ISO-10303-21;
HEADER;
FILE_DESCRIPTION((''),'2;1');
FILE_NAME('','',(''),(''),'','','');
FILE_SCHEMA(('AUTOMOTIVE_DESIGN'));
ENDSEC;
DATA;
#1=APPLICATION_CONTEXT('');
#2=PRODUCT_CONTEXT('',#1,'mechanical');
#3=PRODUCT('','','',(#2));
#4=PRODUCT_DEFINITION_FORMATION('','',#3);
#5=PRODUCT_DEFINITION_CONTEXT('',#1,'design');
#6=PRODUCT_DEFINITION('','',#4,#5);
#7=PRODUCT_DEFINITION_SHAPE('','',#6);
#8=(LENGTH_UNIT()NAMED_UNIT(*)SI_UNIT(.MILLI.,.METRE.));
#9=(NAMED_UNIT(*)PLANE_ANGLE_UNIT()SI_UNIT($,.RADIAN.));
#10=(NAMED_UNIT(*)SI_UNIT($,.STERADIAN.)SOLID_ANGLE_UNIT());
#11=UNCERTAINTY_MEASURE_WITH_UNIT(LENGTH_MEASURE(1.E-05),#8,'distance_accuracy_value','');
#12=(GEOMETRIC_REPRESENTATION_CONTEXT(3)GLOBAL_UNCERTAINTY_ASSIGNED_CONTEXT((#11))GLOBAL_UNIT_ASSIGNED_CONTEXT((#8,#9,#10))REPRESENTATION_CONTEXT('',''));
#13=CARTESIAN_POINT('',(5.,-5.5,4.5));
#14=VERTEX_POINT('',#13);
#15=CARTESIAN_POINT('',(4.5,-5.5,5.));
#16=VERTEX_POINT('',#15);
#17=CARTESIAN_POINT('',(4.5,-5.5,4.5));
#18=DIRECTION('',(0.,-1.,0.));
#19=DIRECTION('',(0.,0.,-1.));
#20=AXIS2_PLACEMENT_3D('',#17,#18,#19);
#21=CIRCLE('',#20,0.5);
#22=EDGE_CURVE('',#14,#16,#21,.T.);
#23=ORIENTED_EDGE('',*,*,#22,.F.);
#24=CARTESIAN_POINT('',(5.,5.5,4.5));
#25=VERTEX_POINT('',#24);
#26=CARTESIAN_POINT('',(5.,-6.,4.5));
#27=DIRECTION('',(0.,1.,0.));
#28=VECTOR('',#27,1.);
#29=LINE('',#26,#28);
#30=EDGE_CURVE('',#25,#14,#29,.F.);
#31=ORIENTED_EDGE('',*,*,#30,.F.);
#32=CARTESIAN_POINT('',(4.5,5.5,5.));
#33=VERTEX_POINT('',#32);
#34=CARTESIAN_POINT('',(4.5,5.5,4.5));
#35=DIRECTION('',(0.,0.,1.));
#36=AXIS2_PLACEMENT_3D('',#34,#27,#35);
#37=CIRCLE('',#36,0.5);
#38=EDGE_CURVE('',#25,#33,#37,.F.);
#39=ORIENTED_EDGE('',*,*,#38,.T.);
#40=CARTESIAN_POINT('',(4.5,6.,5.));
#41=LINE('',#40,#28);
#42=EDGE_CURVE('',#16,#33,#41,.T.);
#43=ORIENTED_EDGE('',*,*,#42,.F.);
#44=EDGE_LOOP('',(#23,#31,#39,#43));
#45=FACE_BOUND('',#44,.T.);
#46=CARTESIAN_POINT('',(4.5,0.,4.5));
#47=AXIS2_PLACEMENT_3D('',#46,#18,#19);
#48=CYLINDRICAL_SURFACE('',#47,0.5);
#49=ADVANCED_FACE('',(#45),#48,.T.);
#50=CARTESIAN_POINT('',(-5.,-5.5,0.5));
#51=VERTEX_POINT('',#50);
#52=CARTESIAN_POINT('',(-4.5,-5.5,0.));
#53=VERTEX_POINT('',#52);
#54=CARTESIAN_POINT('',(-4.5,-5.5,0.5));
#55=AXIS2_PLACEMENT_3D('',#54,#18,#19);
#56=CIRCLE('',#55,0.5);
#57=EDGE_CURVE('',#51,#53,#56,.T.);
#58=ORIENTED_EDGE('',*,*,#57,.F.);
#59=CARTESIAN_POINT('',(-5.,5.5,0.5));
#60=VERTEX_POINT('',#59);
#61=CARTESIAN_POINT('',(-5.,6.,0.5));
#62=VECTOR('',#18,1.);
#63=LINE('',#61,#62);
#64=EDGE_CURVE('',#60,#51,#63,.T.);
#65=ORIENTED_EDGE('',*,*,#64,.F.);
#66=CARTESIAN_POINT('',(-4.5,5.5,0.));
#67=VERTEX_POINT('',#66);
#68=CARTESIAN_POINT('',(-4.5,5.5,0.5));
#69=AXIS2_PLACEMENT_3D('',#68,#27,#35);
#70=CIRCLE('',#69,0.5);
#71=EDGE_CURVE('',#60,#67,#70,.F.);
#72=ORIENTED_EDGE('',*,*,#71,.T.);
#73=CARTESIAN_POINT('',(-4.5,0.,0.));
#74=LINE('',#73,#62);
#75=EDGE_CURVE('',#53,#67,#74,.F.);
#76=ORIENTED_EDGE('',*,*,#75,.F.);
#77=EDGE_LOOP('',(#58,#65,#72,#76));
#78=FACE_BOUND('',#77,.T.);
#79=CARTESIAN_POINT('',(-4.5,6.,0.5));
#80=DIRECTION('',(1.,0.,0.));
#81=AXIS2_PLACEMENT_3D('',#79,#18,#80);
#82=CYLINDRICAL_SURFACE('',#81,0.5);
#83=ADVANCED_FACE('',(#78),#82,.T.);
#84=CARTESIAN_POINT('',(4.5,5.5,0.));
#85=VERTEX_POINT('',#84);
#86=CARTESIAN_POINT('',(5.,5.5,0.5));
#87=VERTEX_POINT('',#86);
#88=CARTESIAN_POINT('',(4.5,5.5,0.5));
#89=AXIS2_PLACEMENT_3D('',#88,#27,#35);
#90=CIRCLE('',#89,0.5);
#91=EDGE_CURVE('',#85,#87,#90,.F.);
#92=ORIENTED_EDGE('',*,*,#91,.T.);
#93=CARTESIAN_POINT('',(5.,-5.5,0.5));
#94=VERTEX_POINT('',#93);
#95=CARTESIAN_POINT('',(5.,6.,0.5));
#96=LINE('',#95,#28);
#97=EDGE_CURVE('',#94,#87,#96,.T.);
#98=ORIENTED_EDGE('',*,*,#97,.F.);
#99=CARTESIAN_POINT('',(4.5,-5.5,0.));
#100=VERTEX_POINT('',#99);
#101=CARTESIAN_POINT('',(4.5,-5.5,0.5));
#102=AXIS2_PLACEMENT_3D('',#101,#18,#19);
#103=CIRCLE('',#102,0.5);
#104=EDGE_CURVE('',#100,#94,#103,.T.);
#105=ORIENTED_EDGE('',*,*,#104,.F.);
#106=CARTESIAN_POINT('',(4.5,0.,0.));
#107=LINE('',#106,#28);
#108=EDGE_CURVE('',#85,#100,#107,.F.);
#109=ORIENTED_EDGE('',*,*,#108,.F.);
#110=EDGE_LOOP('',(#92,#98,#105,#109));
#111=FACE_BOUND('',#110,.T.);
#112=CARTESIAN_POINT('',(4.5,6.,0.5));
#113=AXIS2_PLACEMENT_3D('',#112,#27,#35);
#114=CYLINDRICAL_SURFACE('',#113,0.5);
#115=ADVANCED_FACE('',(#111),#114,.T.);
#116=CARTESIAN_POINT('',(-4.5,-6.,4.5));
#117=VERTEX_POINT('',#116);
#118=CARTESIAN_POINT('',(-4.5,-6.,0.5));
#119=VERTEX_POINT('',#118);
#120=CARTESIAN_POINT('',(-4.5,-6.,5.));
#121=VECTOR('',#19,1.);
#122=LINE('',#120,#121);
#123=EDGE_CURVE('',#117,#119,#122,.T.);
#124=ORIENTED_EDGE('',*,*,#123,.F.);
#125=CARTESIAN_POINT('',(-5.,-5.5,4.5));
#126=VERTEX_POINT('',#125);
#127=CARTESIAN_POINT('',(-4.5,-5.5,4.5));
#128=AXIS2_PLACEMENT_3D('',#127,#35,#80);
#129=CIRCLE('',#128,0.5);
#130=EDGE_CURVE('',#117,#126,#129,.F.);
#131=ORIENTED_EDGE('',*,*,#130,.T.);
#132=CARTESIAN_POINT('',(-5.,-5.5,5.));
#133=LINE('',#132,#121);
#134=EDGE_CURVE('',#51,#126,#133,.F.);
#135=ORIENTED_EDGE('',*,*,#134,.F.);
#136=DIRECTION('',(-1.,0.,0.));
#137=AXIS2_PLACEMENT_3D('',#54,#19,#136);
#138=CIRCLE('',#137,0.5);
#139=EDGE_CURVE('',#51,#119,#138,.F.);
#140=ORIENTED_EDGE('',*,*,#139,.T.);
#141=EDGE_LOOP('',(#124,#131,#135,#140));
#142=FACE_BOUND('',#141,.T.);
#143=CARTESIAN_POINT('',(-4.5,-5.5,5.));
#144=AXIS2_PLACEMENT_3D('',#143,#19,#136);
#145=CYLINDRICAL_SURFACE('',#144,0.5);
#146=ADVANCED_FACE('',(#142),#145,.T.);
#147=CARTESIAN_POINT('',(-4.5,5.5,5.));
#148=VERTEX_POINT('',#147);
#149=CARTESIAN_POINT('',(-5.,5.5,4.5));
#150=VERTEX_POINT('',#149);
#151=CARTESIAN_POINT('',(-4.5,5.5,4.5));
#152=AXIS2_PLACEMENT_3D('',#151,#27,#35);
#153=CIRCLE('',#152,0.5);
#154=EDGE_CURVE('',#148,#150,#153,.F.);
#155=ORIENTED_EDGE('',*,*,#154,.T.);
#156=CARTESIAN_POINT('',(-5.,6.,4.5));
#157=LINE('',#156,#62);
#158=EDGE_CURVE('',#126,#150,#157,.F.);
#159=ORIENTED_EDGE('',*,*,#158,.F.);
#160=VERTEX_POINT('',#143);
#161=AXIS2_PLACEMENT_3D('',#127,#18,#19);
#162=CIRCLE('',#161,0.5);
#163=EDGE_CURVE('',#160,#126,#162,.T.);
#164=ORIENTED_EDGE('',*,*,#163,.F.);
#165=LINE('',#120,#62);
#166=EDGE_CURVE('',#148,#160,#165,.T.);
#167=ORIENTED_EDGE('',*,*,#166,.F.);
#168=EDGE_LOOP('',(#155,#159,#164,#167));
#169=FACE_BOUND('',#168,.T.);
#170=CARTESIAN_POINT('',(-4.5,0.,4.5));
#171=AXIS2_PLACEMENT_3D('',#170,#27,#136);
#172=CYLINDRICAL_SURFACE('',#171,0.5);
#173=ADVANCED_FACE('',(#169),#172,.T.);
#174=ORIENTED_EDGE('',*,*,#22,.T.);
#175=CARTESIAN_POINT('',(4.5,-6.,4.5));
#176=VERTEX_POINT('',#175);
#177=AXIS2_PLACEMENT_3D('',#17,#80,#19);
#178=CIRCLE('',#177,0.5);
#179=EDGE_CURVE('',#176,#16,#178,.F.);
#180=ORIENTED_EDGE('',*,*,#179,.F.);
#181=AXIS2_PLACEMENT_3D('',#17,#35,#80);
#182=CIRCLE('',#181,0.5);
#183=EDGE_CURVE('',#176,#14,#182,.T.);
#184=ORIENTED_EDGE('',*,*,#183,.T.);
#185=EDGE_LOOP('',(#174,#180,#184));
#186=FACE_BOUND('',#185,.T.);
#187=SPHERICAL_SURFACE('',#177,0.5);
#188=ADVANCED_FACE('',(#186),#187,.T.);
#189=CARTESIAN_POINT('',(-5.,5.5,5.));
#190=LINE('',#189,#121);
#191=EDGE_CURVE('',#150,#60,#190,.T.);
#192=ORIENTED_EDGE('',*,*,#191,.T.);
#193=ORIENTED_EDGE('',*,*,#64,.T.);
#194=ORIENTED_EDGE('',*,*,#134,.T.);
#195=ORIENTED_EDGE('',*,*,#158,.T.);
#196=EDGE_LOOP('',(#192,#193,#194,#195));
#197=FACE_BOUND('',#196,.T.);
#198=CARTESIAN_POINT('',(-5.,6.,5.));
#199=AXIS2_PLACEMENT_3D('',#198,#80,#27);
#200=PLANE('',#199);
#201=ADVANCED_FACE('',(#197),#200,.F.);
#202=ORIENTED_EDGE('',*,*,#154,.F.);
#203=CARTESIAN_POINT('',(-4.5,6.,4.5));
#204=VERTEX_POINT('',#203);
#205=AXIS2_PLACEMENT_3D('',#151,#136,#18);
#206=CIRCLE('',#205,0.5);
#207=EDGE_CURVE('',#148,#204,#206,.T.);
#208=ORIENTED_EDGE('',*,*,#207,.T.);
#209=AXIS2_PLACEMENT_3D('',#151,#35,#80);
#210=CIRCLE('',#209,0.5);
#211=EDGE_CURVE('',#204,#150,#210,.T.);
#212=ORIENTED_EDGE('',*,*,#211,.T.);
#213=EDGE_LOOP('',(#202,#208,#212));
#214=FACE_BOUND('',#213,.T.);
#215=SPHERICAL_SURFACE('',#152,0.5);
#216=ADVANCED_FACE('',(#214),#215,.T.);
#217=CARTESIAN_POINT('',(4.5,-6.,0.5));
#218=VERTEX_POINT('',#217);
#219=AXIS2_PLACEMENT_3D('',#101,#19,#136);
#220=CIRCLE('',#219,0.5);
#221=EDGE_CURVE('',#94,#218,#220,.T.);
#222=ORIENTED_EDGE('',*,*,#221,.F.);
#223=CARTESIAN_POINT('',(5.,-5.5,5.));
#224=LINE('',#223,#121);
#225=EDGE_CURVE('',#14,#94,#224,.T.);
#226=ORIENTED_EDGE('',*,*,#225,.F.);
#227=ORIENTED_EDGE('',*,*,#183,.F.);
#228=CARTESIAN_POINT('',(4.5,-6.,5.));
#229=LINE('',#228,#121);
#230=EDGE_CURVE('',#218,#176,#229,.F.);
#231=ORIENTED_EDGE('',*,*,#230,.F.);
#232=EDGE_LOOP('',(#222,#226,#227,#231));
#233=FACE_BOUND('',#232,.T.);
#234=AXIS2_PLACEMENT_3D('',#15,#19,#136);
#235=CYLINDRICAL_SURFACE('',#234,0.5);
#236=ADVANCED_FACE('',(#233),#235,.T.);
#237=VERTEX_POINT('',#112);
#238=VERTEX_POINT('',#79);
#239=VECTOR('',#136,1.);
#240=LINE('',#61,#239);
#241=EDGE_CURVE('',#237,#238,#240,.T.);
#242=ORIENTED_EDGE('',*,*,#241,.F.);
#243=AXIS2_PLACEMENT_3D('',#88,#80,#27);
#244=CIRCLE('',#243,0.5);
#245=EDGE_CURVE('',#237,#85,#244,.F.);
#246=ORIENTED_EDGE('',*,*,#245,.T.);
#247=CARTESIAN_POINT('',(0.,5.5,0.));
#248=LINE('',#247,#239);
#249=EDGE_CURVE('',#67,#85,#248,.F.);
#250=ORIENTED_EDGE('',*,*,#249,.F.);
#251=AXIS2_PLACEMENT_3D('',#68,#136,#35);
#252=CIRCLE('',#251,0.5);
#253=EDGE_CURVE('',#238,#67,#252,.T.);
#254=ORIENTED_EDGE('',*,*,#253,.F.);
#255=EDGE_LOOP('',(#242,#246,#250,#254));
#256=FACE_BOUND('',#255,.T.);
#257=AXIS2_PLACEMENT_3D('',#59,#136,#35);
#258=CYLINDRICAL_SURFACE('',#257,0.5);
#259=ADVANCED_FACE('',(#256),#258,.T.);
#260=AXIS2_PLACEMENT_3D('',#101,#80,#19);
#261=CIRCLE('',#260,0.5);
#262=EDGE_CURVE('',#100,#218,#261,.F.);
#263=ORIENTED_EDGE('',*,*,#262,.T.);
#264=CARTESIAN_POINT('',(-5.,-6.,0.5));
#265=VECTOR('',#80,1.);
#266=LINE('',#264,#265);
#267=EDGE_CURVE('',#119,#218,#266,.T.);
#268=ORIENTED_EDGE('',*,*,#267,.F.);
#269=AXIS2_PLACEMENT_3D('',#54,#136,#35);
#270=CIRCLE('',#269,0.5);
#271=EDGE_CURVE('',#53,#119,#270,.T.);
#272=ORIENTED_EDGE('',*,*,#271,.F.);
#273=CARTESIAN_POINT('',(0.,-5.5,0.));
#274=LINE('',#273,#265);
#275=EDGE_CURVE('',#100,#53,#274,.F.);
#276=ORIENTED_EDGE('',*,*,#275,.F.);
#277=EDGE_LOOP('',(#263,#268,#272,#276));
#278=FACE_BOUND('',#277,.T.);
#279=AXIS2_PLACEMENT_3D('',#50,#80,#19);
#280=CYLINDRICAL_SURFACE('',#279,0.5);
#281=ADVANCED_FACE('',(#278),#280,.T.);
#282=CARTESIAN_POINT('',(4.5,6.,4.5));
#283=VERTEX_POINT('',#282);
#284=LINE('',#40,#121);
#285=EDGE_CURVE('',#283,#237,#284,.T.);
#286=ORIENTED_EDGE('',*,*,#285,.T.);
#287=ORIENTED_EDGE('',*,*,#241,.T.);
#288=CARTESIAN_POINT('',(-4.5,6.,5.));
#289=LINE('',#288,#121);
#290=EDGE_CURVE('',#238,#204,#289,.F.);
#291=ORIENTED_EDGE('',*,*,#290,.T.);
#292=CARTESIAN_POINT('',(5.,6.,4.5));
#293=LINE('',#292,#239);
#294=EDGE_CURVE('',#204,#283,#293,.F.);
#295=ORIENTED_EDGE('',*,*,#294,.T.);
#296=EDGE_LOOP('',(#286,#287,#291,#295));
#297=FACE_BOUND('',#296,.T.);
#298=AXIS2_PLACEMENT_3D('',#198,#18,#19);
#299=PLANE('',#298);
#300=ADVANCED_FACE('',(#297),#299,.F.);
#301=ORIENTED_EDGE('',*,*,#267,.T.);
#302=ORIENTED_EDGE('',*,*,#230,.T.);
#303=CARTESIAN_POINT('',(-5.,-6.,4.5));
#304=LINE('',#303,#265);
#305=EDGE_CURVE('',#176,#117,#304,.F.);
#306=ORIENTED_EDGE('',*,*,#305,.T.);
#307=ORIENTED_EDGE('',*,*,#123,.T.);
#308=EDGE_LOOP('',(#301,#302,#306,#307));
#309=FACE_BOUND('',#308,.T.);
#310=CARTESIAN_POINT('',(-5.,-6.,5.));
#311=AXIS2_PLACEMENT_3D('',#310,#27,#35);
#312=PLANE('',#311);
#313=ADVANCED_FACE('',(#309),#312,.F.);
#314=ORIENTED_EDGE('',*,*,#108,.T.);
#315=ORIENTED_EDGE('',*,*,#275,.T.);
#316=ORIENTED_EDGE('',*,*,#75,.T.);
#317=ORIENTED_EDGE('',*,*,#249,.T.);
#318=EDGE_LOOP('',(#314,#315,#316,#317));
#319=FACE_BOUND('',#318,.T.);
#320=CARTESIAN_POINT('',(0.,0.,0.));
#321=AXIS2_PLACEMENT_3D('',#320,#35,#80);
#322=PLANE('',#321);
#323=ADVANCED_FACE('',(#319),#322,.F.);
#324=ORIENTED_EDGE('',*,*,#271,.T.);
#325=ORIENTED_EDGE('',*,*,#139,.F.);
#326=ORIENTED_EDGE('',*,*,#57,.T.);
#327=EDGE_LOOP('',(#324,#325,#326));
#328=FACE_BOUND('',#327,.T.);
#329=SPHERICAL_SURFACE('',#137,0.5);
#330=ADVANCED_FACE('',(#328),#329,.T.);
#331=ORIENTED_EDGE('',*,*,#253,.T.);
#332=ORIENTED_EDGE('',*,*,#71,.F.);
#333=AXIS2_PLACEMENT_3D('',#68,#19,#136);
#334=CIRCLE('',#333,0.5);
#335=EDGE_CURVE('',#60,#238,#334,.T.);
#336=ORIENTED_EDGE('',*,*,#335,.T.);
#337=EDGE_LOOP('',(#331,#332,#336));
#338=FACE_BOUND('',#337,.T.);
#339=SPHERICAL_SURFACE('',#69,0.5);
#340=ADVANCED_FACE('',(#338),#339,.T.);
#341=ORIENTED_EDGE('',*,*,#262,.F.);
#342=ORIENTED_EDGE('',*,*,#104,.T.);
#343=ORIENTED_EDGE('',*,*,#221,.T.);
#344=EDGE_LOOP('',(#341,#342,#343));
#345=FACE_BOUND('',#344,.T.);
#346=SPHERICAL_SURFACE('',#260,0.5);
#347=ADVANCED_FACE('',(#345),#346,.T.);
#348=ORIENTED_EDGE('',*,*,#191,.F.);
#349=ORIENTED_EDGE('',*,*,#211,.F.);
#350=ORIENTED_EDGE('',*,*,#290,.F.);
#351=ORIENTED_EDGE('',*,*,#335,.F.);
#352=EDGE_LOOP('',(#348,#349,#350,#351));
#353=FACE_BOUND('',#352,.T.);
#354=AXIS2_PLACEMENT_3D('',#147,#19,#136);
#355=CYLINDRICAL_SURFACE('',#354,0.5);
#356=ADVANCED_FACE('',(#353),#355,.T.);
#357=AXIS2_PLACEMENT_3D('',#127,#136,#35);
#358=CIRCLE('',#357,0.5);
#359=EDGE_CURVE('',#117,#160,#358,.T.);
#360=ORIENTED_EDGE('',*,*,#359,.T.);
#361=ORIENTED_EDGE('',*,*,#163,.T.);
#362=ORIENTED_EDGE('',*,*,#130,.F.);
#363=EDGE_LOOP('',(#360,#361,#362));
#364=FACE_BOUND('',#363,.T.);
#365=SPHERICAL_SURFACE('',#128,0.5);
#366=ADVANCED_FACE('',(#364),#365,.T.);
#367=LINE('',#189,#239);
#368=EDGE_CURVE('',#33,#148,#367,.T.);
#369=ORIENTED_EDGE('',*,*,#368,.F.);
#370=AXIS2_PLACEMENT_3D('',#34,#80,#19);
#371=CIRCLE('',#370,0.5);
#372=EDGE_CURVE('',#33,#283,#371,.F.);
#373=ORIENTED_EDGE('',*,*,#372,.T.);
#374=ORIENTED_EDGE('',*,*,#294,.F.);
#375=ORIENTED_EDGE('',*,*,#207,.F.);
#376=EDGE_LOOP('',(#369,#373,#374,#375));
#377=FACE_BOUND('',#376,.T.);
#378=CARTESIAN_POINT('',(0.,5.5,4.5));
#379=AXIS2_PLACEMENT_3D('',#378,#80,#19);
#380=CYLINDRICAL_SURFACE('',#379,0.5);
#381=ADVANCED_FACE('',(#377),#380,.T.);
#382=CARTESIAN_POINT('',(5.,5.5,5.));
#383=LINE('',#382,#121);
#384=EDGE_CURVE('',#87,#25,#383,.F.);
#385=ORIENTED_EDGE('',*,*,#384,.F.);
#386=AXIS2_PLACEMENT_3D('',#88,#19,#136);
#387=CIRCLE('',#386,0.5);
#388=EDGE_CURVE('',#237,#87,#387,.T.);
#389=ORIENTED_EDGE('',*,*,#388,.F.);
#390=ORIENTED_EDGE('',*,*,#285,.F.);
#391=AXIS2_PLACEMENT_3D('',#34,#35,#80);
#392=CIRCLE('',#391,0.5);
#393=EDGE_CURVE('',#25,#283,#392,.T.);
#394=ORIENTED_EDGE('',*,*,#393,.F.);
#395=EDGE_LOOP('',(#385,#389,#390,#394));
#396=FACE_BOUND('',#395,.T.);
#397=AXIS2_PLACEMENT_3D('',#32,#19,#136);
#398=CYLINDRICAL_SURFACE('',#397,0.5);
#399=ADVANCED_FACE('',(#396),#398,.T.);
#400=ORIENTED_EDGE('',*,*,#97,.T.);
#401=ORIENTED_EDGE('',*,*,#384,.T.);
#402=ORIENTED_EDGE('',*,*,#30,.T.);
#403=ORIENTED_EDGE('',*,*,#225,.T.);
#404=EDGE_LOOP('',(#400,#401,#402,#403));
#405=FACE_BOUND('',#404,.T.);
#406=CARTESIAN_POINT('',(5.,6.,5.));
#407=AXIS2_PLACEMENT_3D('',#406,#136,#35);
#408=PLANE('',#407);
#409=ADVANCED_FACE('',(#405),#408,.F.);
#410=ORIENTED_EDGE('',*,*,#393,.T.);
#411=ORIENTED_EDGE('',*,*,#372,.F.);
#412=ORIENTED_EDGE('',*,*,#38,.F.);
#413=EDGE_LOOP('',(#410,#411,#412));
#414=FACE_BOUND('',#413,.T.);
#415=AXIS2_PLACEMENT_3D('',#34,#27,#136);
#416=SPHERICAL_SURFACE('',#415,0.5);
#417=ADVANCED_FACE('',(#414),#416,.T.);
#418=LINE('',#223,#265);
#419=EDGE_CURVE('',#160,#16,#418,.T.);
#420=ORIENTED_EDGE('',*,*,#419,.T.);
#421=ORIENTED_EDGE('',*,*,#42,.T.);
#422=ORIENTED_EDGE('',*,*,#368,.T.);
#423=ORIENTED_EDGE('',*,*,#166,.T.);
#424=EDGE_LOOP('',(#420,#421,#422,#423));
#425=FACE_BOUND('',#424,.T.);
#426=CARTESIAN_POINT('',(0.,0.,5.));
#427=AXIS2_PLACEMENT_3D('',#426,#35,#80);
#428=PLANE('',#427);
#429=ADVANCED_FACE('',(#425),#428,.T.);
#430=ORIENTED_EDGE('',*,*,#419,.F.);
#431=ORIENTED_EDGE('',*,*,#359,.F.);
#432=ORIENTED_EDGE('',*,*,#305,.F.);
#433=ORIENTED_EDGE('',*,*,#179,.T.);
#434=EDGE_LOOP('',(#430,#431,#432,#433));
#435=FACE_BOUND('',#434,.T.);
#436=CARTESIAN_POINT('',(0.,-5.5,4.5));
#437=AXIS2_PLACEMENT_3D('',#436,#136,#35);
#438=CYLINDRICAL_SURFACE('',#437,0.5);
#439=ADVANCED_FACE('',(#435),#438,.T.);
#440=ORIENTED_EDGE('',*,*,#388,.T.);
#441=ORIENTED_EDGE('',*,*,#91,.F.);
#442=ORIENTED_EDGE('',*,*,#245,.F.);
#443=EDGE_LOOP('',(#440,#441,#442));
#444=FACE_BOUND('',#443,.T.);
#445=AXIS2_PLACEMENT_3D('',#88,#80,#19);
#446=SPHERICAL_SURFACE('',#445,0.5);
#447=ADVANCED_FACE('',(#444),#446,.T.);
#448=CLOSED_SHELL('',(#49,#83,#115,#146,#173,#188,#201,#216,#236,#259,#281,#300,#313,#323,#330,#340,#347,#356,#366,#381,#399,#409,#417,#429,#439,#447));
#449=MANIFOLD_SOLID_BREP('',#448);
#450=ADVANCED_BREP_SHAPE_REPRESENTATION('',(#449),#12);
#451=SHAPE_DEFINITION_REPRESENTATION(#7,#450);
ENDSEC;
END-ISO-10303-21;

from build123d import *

# Parameters (mm, degrees)
SKETCH_1_W      = 10
SKETCH_1_H      = 12
EXTRUDE_1_DEPTH = 5
FILLET_1_R      = 0.5


with BuildPart() as part:
    # ｽｹｯﾁ1 → ﾎﾞｽ - 押し出し1 (new body)
    with BuildSketch(Plane.XY):
        Rectangle(SKETCH_1_W, SKETCH_1_H)
    extrude(amount=EXTRUDE_1_DEPTH)

    # ﾌｨﾚｯﾄ1
    fillet_1_edges = [part.edges().sort_by_distance(p)[0] for p in [
        (-5, 0, 5),
        (0, -6, 5),
        (5, 0, 5),
        (0, -6, 0),
        (-5, 0, 0),
        (0, 6, 0),
        (5, 0, 0),
        (5, -6, 2.5),
        (-5, -6, 2.5),
        (-5, 6, 2.5),
        (5, 6, 2.5),
        (0, 6, 5),
    ]]
    fillet(fillet_1_edges, radius=FILLET_1_R)


solid = part.part
